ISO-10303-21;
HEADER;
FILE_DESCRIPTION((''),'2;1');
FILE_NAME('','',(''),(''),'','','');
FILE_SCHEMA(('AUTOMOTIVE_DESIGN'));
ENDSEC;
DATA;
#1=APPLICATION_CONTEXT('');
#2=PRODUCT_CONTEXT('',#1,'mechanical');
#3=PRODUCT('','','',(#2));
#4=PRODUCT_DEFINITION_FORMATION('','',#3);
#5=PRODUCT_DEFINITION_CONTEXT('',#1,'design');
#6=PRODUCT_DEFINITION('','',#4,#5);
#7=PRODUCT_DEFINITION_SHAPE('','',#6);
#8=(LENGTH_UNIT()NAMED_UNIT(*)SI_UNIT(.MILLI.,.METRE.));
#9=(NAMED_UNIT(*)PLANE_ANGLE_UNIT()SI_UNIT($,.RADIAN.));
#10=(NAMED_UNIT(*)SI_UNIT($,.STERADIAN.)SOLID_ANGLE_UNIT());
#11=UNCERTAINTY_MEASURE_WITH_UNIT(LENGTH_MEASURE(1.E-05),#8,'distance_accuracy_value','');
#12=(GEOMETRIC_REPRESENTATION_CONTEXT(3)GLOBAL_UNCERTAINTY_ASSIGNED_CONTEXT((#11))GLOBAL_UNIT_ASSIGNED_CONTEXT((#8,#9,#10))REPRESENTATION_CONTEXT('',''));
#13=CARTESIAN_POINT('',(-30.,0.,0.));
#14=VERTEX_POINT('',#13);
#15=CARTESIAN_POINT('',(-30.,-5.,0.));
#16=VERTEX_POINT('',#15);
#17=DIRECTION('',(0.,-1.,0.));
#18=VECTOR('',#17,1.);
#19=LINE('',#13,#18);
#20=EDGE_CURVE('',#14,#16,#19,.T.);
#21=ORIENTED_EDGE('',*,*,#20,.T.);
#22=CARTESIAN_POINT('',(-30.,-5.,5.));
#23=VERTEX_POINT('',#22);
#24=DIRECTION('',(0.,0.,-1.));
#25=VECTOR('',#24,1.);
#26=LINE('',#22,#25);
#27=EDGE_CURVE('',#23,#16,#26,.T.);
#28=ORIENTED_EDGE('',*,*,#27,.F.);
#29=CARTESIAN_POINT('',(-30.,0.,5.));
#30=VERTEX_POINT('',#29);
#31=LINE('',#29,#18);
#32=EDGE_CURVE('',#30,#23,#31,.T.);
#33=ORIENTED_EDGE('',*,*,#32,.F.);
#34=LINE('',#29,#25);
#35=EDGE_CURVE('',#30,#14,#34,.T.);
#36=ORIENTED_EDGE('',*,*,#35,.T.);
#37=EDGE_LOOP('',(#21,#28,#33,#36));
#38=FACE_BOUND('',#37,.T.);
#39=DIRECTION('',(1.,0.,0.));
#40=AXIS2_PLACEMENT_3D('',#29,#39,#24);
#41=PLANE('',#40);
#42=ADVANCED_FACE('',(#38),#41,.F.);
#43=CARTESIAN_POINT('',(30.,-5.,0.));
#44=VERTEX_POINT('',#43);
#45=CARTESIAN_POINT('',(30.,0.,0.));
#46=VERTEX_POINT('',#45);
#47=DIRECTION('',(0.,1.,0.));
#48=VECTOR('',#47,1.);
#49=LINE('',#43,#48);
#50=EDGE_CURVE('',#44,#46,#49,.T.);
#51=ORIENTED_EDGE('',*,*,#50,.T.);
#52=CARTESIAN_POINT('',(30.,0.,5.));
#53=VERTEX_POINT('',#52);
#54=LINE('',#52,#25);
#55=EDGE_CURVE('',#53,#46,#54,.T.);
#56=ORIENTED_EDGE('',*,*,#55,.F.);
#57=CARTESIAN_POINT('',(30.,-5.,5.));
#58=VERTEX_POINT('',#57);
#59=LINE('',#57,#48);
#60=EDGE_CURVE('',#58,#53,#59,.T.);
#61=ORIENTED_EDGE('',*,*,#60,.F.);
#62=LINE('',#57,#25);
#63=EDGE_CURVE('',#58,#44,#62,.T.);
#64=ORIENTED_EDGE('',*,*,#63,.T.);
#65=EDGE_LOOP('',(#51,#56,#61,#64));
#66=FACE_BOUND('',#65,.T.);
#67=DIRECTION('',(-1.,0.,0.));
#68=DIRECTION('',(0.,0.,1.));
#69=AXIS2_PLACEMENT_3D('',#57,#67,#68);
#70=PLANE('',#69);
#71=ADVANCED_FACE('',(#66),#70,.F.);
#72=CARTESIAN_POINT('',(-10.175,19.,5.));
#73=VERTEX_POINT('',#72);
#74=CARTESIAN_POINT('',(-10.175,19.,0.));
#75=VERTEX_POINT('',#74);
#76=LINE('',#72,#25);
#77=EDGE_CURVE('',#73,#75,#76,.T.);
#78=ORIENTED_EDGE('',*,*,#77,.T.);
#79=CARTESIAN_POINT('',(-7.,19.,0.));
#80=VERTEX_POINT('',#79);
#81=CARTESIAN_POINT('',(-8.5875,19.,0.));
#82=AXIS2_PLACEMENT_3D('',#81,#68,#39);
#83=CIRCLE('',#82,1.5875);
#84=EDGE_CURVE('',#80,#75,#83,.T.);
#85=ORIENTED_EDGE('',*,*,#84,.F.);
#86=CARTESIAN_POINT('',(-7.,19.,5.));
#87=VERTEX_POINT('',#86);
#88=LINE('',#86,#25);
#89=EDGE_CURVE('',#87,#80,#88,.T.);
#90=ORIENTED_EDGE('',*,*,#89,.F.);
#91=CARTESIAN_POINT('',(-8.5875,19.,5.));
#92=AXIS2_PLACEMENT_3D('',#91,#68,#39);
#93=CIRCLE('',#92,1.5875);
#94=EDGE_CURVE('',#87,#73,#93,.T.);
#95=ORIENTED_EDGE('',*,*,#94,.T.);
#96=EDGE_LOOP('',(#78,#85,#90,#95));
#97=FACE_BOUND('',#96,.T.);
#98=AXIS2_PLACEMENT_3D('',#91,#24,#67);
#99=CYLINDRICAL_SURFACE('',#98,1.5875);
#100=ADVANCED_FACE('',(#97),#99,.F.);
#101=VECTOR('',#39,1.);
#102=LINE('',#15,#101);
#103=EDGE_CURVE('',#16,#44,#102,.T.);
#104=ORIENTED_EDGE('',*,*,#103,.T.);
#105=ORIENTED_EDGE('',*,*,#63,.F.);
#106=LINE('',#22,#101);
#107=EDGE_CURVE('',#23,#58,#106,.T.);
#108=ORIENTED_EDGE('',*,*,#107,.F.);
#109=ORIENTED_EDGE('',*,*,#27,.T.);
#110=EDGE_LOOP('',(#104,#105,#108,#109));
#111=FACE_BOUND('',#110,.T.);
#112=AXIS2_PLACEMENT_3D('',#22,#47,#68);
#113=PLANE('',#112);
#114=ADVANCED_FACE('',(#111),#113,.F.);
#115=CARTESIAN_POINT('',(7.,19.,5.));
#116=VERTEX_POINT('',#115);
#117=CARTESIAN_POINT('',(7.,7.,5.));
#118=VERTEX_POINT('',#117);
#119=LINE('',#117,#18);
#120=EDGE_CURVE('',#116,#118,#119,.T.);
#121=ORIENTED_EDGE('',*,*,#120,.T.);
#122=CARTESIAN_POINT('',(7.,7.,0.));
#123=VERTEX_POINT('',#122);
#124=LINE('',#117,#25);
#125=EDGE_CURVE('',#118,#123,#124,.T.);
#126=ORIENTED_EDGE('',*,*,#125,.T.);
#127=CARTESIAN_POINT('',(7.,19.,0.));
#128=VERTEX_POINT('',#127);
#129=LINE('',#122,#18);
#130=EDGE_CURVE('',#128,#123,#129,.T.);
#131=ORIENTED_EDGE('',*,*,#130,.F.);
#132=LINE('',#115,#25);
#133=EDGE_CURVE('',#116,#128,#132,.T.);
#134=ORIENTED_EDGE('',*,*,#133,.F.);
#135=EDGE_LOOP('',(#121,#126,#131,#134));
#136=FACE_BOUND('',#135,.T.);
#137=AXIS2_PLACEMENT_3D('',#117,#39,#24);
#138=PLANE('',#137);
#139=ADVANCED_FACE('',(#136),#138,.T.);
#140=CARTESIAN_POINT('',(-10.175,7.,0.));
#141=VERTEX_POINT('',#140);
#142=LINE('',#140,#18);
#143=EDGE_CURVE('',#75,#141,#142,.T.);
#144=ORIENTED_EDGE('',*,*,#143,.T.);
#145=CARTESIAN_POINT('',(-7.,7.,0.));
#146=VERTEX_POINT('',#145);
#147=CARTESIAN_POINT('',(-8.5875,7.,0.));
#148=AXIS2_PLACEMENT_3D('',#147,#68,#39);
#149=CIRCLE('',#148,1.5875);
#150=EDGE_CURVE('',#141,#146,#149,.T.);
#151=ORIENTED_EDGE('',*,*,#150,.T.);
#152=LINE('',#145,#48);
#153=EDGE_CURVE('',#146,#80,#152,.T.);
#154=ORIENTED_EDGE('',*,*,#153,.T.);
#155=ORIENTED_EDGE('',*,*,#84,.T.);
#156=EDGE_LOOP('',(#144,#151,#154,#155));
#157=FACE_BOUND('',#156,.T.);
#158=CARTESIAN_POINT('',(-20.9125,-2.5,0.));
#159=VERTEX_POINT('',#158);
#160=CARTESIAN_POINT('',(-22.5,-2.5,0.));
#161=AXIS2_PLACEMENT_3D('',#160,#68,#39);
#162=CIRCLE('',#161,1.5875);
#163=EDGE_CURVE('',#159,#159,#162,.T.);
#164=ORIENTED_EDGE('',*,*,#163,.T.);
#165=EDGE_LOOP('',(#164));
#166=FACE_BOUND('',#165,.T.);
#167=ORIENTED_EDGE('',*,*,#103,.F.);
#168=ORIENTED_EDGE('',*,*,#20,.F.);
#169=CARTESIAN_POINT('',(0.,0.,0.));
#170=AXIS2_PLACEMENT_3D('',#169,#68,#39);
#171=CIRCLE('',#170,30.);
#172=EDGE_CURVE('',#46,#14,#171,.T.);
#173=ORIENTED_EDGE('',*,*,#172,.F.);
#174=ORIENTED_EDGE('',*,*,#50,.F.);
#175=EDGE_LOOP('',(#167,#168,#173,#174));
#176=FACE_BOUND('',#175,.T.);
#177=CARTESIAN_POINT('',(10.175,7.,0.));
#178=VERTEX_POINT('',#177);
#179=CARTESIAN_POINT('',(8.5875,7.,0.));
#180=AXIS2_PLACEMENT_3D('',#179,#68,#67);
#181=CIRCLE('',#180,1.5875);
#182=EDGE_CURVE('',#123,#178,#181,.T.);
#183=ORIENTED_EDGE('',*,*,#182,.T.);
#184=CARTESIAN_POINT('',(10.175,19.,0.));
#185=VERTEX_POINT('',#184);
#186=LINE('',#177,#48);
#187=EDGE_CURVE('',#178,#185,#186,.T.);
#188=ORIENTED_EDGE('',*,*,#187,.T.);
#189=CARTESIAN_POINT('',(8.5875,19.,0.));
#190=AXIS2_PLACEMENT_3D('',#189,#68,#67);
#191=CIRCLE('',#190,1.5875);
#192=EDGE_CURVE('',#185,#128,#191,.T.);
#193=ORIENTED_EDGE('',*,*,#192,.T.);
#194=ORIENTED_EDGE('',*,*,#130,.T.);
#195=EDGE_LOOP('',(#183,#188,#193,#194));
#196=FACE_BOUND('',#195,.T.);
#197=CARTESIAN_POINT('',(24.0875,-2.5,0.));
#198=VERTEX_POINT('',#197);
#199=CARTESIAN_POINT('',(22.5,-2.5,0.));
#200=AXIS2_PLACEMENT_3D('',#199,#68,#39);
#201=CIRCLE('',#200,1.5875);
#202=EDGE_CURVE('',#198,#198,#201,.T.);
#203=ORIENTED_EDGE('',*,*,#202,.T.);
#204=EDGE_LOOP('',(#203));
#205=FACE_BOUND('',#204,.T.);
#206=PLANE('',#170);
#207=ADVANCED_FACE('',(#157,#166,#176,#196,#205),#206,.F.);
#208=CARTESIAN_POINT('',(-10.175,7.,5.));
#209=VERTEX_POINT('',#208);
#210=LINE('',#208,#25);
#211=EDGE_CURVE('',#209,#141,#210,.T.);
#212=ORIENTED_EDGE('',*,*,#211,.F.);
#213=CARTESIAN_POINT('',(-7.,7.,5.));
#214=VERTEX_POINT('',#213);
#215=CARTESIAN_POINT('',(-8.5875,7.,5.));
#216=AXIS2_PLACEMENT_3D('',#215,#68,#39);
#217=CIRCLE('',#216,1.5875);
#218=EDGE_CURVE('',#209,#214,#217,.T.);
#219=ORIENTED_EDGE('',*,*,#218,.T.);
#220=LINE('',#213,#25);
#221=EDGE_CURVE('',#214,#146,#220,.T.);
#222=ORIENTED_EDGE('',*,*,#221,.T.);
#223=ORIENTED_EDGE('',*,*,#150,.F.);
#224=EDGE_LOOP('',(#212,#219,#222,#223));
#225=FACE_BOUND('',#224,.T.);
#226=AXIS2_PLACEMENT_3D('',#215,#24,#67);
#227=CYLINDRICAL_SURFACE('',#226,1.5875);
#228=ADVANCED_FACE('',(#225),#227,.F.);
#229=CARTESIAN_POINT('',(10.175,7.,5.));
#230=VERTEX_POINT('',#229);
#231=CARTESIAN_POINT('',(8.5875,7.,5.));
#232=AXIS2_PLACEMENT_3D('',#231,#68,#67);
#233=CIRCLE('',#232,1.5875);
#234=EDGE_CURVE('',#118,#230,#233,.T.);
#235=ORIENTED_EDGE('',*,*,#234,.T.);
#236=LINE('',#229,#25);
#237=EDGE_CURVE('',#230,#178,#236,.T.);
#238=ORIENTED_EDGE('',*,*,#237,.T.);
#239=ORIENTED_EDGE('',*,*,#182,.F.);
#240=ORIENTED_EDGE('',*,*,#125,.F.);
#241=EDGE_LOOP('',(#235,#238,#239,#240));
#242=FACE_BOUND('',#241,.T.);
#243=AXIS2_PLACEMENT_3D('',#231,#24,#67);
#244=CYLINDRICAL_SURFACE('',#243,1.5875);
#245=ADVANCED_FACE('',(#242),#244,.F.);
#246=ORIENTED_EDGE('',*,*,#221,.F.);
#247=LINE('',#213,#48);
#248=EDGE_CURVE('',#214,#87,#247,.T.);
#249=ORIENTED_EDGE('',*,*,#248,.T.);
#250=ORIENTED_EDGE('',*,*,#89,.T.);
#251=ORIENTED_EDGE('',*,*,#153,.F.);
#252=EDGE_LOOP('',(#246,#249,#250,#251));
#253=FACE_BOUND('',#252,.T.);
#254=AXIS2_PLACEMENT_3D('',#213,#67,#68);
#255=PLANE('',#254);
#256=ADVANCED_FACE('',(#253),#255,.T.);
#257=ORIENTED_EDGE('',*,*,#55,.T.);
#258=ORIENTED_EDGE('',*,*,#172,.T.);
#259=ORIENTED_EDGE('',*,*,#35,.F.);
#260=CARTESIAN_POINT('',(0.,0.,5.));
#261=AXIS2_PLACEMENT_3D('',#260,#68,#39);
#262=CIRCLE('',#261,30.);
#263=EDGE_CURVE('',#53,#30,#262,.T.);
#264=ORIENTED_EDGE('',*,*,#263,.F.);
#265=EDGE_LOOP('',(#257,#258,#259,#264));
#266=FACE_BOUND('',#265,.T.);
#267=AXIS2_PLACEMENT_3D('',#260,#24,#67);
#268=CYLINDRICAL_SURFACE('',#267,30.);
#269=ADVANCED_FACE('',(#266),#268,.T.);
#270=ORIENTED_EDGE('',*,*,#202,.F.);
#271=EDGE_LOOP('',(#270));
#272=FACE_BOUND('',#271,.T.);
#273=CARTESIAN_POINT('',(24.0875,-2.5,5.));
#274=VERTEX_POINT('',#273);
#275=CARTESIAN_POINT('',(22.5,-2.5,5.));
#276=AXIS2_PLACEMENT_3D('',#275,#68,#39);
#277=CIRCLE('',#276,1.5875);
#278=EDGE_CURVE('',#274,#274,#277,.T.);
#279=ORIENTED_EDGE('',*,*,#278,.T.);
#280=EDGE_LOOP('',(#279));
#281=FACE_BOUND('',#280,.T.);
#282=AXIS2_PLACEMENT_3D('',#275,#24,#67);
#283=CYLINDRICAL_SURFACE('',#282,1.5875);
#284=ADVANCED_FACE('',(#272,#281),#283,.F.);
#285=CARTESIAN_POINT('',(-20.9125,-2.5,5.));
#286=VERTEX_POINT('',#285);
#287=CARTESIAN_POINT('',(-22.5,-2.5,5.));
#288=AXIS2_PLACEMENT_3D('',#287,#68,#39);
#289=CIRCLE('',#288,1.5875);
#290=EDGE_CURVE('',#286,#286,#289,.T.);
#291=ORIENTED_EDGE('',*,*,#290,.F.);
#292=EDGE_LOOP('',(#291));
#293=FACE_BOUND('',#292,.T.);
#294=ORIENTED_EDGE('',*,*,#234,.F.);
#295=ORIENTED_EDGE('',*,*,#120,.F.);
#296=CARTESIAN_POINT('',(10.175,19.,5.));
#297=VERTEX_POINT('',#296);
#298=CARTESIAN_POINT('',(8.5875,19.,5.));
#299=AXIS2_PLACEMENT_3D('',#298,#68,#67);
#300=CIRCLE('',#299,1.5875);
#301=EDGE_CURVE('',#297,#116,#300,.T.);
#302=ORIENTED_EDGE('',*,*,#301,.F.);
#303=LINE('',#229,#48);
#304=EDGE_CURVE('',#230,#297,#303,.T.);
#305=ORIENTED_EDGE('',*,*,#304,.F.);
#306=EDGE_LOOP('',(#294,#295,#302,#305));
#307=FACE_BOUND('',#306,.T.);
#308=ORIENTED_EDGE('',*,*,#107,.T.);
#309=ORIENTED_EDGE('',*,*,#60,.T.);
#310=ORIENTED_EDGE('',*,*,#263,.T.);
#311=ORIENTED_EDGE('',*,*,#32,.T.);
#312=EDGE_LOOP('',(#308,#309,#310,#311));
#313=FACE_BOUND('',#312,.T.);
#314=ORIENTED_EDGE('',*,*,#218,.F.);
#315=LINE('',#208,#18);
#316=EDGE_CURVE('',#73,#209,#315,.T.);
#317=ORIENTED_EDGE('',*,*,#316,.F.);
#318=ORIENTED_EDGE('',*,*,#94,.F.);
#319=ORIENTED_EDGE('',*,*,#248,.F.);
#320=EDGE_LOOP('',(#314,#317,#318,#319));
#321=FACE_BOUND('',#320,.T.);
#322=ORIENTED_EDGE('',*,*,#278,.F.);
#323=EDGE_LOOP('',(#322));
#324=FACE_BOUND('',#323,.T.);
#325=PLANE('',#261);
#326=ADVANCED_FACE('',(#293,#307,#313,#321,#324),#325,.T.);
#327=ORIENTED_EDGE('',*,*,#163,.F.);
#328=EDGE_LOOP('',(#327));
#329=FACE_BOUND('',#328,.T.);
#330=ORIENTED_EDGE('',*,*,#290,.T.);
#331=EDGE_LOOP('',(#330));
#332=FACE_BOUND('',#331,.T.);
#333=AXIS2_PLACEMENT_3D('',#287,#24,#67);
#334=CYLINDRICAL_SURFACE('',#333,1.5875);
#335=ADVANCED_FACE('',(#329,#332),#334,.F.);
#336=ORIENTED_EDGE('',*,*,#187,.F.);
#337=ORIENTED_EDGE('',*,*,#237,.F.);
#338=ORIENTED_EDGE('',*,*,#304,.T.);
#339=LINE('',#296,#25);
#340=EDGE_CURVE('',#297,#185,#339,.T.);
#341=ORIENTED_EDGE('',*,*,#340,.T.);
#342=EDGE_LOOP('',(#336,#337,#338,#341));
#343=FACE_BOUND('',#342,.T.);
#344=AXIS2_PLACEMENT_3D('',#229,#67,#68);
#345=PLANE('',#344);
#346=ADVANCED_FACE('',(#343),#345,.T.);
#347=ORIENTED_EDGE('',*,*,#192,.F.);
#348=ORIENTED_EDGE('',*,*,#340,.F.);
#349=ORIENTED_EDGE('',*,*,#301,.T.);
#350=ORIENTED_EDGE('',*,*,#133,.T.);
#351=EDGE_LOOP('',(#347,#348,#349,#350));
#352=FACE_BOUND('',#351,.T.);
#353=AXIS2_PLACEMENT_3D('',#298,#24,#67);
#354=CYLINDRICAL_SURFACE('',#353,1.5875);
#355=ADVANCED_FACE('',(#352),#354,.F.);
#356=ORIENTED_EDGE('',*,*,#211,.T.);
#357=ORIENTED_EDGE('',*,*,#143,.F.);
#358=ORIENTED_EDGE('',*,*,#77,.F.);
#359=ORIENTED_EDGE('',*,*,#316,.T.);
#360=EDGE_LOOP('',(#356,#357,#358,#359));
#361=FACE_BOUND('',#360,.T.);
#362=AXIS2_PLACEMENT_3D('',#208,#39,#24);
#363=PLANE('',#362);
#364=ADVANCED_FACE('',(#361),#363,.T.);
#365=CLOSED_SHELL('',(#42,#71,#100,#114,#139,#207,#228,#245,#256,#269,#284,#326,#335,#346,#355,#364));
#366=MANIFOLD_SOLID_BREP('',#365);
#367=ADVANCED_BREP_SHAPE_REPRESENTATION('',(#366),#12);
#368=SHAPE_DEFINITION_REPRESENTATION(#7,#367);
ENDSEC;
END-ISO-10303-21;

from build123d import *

# Parameters (mm, degrees)
CROQUIS1_R              = 1.5875
SALIENTE_EXTRUIR1_DEPTH = 5


with BuildPart() as part:
    # Croquis1 → Saliente-Extruir1 (new body)
    with BuildSketch(Plane.XY):
        with BuildLine():
            Line((-30, 0), (-30, -5))
            Line((-30, -5), (30, -5))
            Line((30, -5), (30, 0))
            ThreePointArc((30, 0), (0, 30), (-30, 0))
        make_face()
        with Locations((-22.5, -2.5)):
            Circle(CROQUIS1_R, mode=Mode.SUBTRACT)
        with Locations((22.5, -2.5)):
            Circle(CROQUIS1_R, mode=Mode.SUBTRACT)
        with BuildLine():
            Line((-10.175, 7), (-10.175, 19))
            ThreePointArc((-10.175, 19), (-8.5875, 20.5875), (-7, 19))
            Line((-7, 19), (-7, 7))
            ThreePointArc((-7, 7), (-8.5875, 5.4125), (-10.175, 7))
        make_face(mode=Mode.SUBTRACT)
        with BuildLine():
            Line((7, 7), (7, 19))
            ThreePointArc((7, 19), (8.5875, 20.5875), (10.175, 19))
            Line((10.175, 19), (10.175, 7))
            ThreePointArc((10.175, 7), (8.5875, 5.4125), (7, 7))
        make_face(mode=Mode.SUBTRACT)
    extrude(amount=SALIENTE_EXTRUIR1_DEPTH)


solid = part.part
